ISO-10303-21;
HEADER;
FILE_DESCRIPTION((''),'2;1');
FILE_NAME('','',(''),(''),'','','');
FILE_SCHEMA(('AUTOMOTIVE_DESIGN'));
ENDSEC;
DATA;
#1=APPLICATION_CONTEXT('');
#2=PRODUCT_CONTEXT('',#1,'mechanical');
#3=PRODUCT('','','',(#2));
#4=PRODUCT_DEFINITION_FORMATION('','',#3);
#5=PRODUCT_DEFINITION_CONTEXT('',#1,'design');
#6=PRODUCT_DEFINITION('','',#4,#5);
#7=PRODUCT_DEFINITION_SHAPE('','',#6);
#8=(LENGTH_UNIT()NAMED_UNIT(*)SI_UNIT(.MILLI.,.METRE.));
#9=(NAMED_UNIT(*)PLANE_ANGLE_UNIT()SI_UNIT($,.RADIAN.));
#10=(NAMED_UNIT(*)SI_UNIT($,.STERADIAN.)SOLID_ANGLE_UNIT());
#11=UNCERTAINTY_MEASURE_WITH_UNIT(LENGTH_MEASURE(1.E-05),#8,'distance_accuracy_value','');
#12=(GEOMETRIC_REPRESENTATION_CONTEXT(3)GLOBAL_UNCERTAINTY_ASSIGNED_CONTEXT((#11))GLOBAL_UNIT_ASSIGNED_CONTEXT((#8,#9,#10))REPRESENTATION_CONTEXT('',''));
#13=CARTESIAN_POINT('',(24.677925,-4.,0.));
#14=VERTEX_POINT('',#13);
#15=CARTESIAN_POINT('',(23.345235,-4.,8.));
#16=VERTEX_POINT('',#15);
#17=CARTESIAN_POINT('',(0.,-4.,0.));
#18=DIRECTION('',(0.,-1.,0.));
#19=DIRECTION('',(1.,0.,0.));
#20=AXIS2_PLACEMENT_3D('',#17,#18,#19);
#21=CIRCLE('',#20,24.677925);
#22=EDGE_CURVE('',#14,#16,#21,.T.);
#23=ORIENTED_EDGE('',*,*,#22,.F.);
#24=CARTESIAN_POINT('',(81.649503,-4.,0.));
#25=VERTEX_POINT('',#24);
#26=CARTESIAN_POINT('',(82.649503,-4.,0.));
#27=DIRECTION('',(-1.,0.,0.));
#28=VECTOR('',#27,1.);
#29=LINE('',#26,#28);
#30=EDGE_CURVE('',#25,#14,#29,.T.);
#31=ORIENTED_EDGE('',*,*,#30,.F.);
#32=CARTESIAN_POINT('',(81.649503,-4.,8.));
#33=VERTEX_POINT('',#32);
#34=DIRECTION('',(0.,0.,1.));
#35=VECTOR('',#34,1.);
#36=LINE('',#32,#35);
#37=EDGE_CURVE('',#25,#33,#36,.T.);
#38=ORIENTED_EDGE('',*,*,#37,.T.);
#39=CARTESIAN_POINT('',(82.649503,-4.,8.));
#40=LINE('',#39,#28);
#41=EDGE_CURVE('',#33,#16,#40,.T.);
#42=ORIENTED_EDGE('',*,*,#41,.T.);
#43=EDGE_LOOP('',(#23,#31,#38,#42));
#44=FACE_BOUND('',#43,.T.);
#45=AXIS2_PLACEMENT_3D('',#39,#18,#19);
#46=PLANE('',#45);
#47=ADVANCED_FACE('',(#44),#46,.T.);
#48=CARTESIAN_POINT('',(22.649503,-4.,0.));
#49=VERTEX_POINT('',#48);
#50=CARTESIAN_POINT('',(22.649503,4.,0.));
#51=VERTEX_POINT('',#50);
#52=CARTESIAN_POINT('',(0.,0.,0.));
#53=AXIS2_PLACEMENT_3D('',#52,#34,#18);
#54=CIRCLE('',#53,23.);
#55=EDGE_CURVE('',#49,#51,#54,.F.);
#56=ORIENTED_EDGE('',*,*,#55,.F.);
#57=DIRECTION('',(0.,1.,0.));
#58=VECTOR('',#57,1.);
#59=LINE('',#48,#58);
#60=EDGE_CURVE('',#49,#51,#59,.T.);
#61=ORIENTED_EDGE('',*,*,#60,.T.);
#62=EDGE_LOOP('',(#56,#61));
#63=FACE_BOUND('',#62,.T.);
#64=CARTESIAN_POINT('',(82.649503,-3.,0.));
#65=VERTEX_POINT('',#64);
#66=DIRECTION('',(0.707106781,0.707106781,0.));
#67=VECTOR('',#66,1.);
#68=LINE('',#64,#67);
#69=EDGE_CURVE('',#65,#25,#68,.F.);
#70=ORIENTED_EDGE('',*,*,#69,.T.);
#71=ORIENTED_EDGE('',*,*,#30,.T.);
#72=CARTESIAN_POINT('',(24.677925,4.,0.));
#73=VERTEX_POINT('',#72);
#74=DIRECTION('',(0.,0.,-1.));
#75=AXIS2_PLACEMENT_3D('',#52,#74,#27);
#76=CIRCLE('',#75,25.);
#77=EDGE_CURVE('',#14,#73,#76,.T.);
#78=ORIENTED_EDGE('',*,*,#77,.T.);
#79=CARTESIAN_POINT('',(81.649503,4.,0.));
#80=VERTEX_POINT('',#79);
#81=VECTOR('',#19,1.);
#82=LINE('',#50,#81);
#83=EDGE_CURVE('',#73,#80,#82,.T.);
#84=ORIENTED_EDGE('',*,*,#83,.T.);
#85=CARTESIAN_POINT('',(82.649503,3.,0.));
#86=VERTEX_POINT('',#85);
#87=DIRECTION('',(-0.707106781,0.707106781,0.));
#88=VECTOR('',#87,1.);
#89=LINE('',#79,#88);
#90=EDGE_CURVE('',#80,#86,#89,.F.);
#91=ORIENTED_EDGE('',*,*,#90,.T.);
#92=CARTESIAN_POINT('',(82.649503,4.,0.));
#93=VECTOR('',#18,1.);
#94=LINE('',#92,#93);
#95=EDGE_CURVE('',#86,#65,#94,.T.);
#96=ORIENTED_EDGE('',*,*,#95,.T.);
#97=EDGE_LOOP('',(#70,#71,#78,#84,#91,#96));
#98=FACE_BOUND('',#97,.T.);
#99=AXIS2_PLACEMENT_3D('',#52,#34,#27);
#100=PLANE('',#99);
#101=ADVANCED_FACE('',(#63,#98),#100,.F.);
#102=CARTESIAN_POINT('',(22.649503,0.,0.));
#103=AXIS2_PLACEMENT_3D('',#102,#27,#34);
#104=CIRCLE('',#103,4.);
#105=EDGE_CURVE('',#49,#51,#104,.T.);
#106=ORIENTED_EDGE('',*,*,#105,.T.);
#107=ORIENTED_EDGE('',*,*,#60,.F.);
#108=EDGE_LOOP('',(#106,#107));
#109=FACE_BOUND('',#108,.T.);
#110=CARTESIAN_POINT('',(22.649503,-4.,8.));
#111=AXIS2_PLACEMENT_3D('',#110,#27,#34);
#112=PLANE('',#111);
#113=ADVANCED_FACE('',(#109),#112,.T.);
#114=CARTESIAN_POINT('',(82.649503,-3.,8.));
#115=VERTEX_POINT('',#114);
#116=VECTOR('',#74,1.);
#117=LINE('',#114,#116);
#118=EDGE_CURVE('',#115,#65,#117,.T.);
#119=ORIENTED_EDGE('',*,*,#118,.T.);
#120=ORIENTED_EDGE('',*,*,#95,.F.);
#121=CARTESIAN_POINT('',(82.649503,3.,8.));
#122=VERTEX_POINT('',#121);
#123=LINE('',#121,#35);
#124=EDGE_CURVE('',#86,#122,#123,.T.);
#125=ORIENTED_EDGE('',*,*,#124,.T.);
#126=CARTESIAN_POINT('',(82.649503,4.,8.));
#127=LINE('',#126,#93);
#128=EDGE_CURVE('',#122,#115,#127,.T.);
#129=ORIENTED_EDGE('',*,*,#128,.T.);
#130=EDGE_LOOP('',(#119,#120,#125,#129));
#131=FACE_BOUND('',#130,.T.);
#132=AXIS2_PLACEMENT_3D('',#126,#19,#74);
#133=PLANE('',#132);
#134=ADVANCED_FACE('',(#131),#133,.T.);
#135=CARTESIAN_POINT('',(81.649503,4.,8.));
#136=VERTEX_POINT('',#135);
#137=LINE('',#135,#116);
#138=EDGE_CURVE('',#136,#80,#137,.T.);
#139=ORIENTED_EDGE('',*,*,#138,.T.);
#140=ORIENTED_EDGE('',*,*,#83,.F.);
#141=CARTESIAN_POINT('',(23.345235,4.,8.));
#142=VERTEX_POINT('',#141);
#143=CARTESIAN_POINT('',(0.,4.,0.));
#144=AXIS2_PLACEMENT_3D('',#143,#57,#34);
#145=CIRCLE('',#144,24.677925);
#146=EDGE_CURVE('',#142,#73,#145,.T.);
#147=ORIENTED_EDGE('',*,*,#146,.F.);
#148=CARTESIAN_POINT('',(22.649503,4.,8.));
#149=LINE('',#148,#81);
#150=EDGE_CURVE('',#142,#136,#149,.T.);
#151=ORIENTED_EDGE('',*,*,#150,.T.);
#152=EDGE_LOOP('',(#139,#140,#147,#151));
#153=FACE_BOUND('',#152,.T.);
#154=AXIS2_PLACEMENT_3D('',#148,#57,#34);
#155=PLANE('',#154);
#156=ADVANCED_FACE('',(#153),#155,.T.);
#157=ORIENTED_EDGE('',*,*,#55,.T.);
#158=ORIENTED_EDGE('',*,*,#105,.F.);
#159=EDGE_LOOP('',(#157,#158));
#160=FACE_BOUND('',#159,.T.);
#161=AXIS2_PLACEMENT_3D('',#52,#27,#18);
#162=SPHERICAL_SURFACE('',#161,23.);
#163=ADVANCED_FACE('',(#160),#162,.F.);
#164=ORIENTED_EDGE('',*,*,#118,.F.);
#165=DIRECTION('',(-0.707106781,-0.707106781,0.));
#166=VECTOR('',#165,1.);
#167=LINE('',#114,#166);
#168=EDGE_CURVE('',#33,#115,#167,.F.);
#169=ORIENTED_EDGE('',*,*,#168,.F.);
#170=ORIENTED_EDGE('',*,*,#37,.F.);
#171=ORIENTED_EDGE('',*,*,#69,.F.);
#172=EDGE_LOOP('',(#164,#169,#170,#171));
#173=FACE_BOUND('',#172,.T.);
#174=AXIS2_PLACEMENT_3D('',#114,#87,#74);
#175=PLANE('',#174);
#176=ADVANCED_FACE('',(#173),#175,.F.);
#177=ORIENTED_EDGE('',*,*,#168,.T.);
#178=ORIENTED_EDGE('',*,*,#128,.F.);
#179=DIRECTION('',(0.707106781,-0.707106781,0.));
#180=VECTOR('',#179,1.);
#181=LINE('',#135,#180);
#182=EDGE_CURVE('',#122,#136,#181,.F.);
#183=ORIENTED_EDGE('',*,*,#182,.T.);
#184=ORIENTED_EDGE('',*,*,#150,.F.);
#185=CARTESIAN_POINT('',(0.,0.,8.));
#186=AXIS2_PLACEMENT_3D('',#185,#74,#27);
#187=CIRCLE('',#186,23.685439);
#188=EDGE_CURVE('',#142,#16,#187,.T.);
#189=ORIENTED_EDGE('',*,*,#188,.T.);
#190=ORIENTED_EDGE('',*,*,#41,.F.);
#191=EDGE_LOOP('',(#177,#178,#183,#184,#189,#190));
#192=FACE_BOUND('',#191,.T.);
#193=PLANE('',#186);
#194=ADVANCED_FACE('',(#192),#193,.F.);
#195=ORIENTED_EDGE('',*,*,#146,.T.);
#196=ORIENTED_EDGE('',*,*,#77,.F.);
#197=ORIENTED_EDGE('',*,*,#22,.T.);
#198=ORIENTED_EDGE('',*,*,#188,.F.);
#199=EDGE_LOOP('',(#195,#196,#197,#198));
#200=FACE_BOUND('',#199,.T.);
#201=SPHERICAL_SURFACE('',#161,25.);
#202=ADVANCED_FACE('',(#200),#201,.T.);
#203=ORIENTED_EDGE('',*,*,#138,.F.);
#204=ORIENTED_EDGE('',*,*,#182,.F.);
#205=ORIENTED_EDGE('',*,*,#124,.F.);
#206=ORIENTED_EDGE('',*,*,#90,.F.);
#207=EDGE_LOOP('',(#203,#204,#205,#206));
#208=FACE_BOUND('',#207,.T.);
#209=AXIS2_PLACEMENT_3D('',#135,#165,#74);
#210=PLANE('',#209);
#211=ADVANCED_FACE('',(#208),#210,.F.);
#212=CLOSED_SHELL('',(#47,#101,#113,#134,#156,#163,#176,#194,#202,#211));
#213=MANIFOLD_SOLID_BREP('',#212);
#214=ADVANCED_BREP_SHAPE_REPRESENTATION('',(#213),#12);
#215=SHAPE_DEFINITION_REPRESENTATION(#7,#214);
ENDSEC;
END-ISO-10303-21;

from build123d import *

# Parameters (mm, degrees)
R_VOLUTION1_ANGLE  = 180
COQUE1_T           = -2
ESQUISSE2_W        = 60
ESQUISSE2_H        = 8
BOSS_EXTRU_1_DEPTH = 8
CHANFREIN1_SIZE    = 1


with BuildPart() as part:
    # Esquisse1 → Révolution1 (revolve)
    with BuildSketch(Plane.XY):
        with BuildLine():
            Line((-25, 0), (25, 0))
            ThreePointArc((25, 0), (0, 25), (-25, 0))
        make_face()
    revolve(axis=Axis((-25, 0, 0), (1, 0, 0)), revolution_arc=R_VOLUTION1_ANGLE)

    # Coque1
    coque1_openings = [part.faces().sort_by_distance(p)[0] for p in [
        (-25, 0, 0),
    ]]
    offset(amount=COQUE1_T, openings=coque1_openings)

    # Esquisse2 → Boss.-Extru.1 (add)
    with BuildSketch(Plane.XY):
        with Locations((52.649503306, 0)):
            Rectangle(ESQUISSE2_W, ESQUISSE2_H)
    extrude(amount=BOSS_EXTRU_1_DEPTH)

    # Chanfrein1
    chanfrein1_edges = [part.edges().sort_by_distance(p)[0] for p in [
        (82.649503306, -4, 4),
        (82.649503306, 4, 4),
    ]]
    chamfer(chanfrein1_edges, length=CHANFREIN1_SIZE)


solid = part.part
